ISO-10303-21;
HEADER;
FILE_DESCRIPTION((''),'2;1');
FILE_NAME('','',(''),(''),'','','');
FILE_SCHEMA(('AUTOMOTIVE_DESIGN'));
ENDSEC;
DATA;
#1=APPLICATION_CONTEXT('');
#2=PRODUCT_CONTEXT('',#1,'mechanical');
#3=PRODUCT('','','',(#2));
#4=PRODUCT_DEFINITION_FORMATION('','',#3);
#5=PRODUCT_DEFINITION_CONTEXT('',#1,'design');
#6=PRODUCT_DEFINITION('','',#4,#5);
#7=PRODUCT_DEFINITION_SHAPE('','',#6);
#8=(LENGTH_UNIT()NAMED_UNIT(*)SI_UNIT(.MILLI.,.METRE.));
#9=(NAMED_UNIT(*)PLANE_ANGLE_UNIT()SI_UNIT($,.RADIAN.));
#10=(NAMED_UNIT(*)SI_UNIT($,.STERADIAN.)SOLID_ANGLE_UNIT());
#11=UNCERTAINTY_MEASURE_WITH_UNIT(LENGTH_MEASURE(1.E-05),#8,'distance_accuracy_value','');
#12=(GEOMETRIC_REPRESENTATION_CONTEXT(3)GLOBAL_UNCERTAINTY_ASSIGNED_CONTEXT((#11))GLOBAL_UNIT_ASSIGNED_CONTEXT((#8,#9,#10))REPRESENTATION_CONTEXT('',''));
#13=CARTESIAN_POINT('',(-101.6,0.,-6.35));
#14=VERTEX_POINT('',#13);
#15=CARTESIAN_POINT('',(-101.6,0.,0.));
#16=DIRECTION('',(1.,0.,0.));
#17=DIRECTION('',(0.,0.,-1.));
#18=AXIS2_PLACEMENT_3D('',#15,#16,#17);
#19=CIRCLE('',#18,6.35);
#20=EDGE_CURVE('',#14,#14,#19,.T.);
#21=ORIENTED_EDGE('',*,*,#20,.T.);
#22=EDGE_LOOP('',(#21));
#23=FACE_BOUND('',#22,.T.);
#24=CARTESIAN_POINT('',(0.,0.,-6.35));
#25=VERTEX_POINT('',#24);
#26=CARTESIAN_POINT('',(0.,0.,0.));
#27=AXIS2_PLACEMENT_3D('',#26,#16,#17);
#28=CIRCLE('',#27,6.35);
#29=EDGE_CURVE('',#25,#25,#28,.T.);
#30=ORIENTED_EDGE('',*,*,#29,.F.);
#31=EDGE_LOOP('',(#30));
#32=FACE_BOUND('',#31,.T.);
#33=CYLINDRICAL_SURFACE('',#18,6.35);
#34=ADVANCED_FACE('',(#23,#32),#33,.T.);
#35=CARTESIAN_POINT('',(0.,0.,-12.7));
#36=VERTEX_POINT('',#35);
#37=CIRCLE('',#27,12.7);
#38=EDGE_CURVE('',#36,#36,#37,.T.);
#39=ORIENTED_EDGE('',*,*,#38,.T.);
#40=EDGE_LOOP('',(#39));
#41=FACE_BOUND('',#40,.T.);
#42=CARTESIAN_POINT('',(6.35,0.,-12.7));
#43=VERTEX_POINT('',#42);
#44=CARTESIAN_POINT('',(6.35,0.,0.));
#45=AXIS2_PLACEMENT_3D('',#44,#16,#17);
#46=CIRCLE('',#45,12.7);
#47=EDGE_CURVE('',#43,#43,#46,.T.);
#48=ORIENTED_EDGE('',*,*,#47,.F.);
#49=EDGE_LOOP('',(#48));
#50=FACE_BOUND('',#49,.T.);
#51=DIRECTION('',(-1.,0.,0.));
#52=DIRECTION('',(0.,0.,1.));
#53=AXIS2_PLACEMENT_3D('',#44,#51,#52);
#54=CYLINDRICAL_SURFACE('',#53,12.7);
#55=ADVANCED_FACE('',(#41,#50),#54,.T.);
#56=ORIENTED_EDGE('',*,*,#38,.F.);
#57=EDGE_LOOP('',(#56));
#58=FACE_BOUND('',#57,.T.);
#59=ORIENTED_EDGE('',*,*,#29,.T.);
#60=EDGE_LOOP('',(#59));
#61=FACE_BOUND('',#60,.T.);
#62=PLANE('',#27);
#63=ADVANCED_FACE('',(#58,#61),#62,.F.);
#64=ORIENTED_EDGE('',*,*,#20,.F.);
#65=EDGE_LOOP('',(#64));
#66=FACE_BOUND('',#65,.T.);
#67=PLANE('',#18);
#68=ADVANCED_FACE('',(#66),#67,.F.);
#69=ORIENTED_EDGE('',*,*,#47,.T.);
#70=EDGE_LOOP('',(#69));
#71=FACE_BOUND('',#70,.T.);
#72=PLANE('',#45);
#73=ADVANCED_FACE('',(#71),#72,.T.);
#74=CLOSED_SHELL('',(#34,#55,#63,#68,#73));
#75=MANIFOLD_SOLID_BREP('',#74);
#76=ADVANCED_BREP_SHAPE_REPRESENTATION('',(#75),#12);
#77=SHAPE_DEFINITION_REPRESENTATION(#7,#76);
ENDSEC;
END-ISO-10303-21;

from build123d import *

# Parameters (mm, degrees)
SKETCH1_R           = 6.35
BOSS_EXTRUDE1_DEPTH = 101.6
SKETCH2_R           = 12.7
BOSS_EXTRUDE2_DEPTH = 6.35


with BuildPart() as part:
    # Sketch1 → Boss-Extrude1 (new body)
    with BuildSketch(Plane(origin=(0, 0, 0), x_dir=(0, 0, -1), z_dir=(1, 0, 0))):
        Circle(SKETCH1_R)
    extrude(amount=-BOSS_EXTRUDE1_DEPTH)

    # Sketch2 → Boss-Extrude2 (add)
    with BuildSketch(Plane(origin=(0, 0, 0), x_dir=(0, 0, -1), z_dir=(1, 0, 0))):
        Circle(SKETCH2_R)
    extrude(amount=BOSS_EXTRUDE2_DEPTH)


solid = part.part
